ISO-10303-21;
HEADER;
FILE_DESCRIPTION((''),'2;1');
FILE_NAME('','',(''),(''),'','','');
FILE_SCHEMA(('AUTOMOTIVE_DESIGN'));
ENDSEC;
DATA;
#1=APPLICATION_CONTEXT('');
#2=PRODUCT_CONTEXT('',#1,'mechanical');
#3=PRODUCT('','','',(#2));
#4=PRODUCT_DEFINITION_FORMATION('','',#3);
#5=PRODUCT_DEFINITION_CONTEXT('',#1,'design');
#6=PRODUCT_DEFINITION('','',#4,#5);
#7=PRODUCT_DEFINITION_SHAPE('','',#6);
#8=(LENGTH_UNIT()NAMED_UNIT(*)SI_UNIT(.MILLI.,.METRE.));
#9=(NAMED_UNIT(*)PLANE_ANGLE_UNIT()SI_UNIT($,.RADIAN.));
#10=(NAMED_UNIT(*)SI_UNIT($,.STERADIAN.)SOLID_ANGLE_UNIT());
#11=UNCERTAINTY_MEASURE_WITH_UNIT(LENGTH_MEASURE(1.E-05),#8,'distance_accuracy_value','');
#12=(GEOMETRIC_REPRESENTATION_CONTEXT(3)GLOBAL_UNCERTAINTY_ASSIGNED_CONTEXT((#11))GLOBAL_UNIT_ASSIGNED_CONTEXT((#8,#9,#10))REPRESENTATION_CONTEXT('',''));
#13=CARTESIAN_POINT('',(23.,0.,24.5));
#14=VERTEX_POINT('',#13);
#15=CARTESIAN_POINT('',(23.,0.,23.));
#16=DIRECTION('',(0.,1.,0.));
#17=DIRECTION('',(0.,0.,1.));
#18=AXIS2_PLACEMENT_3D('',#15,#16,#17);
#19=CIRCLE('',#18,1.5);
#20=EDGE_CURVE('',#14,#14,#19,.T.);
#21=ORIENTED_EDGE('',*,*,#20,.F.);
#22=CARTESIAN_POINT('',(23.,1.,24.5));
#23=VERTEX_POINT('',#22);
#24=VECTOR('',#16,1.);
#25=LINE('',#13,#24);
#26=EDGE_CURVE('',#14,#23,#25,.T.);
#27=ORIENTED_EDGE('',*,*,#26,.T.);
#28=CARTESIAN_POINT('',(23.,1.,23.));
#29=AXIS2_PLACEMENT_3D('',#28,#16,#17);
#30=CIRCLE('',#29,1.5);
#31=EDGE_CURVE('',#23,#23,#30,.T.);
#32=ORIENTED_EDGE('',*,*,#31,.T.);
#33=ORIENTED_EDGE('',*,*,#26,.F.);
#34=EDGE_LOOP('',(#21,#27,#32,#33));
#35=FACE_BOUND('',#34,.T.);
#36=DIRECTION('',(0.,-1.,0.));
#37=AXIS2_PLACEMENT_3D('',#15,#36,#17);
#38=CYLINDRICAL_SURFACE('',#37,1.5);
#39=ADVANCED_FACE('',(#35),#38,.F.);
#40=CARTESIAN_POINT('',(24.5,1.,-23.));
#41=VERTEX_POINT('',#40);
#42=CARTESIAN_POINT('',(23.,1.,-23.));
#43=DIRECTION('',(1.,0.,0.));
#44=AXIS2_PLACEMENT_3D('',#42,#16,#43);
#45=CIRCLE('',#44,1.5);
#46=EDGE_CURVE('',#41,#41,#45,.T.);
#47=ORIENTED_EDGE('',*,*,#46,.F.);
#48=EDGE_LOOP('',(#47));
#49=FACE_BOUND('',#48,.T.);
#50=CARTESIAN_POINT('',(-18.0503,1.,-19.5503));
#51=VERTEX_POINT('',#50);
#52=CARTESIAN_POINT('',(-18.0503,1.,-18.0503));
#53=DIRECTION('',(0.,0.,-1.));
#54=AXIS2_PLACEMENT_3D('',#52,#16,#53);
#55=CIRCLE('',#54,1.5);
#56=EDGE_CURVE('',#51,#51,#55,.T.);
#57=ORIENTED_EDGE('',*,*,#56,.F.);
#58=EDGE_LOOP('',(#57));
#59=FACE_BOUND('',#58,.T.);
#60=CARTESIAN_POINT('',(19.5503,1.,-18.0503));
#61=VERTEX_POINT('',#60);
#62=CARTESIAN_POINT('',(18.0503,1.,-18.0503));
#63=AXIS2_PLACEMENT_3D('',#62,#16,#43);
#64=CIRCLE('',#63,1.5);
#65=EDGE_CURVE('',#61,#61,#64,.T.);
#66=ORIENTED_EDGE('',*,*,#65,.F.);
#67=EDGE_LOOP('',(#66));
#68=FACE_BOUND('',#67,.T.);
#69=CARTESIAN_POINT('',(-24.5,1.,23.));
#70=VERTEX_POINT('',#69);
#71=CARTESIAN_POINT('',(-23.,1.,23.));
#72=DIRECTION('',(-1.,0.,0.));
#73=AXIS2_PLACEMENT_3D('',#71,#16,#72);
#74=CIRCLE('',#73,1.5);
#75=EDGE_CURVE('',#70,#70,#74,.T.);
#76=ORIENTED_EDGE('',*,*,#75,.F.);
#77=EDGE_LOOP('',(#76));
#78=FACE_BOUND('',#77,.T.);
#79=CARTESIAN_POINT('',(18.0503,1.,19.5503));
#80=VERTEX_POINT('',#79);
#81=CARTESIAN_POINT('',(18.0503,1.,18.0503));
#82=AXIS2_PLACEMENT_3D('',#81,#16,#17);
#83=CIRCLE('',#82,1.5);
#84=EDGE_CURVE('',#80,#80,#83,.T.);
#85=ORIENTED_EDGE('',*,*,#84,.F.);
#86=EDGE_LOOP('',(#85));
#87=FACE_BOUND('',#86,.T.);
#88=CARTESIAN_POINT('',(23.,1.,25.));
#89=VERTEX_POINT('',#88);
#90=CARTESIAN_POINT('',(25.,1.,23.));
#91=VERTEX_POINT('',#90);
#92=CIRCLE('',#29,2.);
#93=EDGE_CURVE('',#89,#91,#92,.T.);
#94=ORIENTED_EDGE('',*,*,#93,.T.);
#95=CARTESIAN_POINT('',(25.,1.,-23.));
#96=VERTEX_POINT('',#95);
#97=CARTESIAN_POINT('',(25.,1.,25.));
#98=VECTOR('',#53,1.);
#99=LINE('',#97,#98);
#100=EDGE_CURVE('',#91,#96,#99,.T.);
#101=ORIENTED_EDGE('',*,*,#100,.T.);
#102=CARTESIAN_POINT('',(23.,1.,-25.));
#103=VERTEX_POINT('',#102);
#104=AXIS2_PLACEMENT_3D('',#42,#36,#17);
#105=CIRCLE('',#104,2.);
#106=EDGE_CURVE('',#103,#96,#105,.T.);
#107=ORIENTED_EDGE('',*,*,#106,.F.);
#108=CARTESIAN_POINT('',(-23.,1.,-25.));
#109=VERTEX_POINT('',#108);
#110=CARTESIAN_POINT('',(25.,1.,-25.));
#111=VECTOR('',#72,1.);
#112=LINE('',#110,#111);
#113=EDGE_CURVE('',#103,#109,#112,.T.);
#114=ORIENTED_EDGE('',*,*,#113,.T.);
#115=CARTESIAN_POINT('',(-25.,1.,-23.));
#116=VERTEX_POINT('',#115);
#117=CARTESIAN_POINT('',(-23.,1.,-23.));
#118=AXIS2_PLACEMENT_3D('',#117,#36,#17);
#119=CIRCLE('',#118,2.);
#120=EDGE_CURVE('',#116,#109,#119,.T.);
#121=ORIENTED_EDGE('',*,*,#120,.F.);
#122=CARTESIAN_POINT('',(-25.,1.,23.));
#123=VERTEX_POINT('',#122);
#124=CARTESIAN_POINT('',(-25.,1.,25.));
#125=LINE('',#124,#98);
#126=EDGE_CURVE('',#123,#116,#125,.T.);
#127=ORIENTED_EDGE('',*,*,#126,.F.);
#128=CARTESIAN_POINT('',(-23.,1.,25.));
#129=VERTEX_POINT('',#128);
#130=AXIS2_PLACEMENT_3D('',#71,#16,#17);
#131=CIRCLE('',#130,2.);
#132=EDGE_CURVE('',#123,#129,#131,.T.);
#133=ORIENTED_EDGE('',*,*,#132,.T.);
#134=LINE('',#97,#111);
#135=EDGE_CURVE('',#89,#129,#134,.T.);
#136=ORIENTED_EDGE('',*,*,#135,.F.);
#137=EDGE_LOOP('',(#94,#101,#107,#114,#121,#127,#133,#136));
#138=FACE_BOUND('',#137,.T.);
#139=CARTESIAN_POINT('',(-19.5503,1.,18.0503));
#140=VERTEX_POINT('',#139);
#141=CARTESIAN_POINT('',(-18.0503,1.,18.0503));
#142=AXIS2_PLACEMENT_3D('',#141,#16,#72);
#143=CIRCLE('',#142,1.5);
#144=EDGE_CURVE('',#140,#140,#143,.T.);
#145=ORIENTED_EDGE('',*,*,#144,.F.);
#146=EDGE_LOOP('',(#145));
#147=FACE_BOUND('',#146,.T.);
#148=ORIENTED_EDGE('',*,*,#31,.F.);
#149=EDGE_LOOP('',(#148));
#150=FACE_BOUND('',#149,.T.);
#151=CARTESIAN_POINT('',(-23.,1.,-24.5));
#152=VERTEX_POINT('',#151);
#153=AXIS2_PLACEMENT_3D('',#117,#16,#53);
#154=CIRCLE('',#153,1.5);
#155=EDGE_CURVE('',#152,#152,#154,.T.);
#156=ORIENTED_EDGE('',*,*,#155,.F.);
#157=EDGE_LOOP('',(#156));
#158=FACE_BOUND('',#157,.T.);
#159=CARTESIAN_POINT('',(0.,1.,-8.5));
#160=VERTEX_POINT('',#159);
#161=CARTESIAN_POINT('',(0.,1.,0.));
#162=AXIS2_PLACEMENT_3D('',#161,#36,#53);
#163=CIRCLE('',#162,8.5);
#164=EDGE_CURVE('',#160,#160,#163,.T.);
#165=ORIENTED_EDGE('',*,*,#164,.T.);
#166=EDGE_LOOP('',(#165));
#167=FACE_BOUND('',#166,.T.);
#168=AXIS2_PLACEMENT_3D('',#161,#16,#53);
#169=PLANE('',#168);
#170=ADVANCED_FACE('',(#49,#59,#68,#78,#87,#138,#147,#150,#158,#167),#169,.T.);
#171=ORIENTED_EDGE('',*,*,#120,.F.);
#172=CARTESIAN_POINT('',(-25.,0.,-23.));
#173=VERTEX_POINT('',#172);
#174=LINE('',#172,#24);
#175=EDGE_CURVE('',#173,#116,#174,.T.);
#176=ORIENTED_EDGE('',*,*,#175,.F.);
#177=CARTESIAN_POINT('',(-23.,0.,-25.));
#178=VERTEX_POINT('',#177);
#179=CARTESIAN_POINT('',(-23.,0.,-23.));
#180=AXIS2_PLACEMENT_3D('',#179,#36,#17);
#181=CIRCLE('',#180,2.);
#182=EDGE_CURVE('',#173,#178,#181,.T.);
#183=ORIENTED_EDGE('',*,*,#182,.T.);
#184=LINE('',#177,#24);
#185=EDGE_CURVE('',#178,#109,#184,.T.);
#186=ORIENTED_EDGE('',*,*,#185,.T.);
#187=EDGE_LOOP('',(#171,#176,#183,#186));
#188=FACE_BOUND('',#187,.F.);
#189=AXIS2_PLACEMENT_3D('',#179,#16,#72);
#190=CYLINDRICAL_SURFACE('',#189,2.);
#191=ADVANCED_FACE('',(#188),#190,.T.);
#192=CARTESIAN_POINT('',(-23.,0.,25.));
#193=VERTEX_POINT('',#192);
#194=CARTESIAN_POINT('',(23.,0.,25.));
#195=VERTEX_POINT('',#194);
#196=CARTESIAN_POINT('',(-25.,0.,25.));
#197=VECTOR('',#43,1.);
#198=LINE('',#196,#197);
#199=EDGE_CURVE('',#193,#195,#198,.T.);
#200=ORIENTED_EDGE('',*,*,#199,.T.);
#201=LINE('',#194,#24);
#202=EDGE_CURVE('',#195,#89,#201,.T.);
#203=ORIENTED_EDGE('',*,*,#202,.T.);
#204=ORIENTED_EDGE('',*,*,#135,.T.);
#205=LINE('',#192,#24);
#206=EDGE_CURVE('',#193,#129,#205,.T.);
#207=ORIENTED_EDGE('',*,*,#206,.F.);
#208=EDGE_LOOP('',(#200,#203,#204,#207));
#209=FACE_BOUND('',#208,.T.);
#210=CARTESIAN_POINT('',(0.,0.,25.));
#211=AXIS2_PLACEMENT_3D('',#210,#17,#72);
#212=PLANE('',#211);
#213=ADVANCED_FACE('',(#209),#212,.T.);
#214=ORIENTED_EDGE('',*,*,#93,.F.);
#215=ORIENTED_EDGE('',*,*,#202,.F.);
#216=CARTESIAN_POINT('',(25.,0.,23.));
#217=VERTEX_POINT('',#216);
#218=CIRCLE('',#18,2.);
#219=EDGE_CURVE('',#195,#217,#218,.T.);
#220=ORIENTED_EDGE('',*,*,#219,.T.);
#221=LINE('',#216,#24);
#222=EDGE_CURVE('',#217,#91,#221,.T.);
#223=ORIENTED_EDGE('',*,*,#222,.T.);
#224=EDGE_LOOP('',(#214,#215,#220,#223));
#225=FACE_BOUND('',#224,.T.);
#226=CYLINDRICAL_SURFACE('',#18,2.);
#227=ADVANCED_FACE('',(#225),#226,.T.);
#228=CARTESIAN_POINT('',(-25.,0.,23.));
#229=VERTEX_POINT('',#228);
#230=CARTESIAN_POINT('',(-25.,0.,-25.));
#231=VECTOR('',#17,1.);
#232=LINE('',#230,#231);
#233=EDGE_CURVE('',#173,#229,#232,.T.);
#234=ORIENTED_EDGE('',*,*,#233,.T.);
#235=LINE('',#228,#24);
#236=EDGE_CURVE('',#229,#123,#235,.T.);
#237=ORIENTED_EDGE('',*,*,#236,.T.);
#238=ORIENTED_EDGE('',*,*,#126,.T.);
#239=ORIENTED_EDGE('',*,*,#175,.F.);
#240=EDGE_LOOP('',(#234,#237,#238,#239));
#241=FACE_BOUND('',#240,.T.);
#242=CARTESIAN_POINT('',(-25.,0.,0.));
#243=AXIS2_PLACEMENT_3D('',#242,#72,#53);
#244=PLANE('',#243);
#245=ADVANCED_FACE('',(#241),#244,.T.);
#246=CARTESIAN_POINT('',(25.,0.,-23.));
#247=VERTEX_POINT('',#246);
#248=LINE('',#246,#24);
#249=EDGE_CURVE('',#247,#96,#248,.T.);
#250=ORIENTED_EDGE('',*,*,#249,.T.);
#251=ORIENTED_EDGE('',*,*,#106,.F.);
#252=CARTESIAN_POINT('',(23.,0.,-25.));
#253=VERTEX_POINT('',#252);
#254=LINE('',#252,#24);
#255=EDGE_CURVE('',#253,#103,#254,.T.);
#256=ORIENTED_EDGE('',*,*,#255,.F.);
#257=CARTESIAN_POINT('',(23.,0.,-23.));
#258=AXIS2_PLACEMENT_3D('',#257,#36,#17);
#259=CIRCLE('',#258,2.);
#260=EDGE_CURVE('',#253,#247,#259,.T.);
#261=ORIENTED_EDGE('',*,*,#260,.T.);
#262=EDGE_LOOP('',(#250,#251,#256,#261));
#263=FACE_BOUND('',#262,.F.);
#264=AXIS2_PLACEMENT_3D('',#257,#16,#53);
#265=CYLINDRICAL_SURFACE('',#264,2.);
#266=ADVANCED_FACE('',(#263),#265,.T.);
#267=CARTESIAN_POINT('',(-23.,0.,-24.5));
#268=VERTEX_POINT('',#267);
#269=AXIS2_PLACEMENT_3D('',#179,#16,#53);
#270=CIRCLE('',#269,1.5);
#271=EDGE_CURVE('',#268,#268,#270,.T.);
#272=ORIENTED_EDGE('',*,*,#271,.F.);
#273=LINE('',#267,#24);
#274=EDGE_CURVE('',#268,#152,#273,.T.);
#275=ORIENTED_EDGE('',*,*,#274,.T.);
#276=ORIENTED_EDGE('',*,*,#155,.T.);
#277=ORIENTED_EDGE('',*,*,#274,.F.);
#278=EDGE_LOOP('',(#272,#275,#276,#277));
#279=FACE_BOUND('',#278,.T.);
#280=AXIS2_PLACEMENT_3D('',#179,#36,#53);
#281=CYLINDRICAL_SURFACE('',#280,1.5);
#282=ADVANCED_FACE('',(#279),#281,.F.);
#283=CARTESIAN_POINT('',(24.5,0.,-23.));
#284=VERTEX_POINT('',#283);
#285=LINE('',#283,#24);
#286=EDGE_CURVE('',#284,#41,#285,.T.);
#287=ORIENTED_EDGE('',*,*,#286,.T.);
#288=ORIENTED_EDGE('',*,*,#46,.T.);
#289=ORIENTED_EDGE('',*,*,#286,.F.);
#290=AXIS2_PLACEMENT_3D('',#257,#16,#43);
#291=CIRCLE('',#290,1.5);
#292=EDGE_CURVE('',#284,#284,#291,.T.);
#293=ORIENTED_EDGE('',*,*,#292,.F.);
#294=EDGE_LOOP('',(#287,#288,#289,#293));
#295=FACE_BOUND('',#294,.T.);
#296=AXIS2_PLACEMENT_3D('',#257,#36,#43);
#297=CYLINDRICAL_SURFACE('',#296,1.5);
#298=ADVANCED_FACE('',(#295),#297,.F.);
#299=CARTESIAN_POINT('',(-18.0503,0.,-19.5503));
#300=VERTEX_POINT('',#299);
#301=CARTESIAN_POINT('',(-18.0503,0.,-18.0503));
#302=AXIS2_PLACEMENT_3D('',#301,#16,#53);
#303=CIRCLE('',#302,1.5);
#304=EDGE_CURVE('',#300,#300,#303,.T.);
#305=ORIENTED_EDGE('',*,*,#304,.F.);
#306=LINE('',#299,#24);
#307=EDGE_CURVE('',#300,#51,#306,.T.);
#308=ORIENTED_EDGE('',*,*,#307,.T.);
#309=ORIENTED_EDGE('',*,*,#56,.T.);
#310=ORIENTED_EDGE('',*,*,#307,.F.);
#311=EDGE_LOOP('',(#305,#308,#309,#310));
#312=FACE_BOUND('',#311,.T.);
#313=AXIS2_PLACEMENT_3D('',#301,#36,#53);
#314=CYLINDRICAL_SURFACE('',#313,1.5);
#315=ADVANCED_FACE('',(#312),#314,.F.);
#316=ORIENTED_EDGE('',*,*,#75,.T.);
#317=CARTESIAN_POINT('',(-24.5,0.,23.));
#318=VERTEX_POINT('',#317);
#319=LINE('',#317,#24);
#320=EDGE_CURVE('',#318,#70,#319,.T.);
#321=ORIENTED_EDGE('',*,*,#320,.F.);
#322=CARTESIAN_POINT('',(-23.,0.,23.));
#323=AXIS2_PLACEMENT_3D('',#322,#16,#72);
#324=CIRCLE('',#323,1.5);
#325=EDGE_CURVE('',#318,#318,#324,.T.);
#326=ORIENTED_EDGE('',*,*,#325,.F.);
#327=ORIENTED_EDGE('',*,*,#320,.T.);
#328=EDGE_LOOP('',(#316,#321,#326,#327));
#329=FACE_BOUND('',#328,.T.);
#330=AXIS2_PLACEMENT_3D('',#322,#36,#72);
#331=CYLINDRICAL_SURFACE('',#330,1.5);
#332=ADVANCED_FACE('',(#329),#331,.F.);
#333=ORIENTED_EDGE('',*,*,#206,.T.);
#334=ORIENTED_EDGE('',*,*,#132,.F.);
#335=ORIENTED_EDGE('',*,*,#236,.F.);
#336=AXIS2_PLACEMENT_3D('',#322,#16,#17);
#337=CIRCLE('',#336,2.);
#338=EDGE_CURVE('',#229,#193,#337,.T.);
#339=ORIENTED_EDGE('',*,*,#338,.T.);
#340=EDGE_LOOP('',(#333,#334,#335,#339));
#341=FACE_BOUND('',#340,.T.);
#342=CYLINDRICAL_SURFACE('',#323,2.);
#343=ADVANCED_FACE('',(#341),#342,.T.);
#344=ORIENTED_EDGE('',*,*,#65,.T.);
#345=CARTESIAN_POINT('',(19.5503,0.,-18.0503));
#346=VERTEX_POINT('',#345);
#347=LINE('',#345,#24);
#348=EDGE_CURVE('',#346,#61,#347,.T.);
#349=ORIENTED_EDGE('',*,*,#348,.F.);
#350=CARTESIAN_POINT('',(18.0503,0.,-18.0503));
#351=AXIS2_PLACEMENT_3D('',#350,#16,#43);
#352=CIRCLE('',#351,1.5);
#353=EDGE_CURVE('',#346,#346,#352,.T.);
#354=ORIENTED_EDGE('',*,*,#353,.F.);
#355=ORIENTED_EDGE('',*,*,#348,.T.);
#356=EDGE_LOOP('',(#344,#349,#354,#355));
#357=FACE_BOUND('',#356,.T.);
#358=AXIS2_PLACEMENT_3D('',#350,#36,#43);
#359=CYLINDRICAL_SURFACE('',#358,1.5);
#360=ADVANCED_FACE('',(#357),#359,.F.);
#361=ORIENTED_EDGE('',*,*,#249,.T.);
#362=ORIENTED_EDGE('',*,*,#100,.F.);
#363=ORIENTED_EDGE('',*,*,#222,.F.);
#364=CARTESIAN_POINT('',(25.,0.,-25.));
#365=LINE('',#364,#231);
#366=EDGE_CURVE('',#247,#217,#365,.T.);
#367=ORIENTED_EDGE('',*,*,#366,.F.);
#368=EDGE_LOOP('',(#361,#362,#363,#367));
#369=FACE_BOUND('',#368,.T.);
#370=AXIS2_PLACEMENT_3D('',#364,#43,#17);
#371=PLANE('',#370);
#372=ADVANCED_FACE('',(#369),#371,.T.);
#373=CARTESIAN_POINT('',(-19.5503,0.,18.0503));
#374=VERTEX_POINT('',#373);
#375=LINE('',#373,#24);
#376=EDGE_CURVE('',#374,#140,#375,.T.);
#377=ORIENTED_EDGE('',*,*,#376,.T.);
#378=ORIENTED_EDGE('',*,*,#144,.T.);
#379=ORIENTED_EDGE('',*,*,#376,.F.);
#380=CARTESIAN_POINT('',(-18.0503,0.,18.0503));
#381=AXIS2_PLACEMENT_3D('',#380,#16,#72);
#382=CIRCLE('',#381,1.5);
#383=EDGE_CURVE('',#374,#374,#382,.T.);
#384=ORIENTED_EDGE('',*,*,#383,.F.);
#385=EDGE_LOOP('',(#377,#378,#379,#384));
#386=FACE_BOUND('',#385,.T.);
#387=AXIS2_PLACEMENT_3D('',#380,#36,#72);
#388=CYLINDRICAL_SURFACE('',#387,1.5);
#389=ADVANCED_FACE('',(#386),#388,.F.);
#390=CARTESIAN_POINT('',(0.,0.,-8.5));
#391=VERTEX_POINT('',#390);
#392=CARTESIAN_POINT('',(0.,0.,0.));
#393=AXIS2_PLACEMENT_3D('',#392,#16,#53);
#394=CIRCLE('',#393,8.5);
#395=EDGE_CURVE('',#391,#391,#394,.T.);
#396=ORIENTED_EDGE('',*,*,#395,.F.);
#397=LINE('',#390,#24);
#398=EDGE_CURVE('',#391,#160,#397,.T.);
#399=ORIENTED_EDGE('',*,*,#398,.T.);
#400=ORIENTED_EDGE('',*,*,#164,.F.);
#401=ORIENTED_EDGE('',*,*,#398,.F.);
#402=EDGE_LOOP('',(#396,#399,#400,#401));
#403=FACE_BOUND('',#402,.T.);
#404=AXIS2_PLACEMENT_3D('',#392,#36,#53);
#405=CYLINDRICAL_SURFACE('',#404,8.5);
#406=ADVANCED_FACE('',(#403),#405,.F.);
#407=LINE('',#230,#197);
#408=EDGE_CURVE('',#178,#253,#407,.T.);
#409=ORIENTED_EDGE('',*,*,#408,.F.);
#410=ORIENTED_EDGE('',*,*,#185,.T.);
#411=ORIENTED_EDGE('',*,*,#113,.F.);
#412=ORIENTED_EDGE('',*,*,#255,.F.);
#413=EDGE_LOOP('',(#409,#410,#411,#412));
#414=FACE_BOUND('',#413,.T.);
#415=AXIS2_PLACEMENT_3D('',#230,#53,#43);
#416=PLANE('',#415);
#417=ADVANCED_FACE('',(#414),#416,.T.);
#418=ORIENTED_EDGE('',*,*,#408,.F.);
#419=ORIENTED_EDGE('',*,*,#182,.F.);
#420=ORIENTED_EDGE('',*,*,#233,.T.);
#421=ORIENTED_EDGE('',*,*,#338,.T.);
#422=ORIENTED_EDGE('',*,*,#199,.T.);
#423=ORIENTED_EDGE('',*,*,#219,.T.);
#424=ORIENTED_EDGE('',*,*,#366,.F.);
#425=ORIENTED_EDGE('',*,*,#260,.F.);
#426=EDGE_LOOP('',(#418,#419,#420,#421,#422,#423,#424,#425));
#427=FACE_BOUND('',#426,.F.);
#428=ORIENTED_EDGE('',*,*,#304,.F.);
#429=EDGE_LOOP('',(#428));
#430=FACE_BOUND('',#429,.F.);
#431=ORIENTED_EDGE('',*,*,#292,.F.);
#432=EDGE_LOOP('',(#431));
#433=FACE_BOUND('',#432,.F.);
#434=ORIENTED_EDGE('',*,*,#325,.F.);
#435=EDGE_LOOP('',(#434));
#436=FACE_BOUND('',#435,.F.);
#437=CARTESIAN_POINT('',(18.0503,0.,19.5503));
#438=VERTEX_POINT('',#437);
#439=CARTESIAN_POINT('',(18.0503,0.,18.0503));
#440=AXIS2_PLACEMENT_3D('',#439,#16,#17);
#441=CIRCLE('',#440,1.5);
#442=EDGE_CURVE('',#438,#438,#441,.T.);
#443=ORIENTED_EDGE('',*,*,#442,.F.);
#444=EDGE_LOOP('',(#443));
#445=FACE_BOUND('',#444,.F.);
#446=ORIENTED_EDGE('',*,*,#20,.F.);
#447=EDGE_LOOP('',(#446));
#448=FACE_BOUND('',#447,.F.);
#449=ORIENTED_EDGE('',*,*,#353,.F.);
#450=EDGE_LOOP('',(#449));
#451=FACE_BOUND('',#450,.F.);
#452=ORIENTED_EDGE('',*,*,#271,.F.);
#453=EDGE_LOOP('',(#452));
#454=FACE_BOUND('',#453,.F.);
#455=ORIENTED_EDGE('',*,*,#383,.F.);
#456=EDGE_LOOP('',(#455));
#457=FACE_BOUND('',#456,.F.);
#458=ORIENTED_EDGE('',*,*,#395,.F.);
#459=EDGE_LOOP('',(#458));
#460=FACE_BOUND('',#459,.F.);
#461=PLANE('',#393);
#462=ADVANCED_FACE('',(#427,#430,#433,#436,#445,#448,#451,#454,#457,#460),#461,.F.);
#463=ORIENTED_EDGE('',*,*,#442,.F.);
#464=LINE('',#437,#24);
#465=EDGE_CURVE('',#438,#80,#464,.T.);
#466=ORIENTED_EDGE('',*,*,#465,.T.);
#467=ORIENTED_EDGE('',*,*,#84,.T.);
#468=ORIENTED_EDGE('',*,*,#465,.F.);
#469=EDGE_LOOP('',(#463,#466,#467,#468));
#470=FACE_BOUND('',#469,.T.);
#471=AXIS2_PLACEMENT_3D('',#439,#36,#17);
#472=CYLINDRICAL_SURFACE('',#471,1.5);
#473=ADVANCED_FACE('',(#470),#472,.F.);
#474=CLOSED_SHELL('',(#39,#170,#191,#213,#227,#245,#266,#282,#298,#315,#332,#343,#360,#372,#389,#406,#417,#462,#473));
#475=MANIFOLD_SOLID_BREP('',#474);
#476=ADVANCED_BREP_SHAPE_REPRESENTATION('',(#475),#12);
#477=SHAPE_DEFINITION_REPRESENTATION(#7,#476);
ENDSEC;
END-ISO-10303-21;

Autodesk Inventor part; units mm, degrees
ref_plane "YZ Plane" through (0, 0, 0) normal (1, 0, 0) x (0, 1, 0)
ref_plane "XZ Plane" through (0, 0, 0) normal (0, 1, 0) x (-1, 0, 0)
ref_plane "XY Plane" through (0, 0, 0) normal (0, 0, 1) x (1, 0, 0)
sketch "Sketch1" plane through (0, 0, 0) normal (0, 1, 0) x (-1, 0, 0)
  line L0 (0, 25) -> (25, 25)
  line L1 (25, 25) -> (25, 0)
  line L2 (25, 25) -> (23, 25)
  line L3 (25, 23) -> (25, 25)
  circle A0 centre (23, 23) radius 1.5
  circle A1 centre (18.0503, 18.0503) radius 1.5
  line L4 (0, 25) -> (0, 8.5)
  line L5 (8.5, 0) -> (25, 0)
  arc A2 (8.5, 0) -> (0, 8.5) centre (0, 0) ccw
  dimension "d5" = 3
  dimension "d7" = 3
extrude "Extrusion1" add sketch "Sketch1" along normal blind 1
pattern_circular "Circular Pattern1" count 4 over 360 about axis through (0, 0, 0) along (0, 1, 0) of "Extrusion1"
fillet "Fillet1" radius 2 4 edges at (-25, 0.5, 25) (-25, 0.5, -25) (25, 0.5, 25) (25, 0.5, -25)
properties part number "POWER_distribution"
